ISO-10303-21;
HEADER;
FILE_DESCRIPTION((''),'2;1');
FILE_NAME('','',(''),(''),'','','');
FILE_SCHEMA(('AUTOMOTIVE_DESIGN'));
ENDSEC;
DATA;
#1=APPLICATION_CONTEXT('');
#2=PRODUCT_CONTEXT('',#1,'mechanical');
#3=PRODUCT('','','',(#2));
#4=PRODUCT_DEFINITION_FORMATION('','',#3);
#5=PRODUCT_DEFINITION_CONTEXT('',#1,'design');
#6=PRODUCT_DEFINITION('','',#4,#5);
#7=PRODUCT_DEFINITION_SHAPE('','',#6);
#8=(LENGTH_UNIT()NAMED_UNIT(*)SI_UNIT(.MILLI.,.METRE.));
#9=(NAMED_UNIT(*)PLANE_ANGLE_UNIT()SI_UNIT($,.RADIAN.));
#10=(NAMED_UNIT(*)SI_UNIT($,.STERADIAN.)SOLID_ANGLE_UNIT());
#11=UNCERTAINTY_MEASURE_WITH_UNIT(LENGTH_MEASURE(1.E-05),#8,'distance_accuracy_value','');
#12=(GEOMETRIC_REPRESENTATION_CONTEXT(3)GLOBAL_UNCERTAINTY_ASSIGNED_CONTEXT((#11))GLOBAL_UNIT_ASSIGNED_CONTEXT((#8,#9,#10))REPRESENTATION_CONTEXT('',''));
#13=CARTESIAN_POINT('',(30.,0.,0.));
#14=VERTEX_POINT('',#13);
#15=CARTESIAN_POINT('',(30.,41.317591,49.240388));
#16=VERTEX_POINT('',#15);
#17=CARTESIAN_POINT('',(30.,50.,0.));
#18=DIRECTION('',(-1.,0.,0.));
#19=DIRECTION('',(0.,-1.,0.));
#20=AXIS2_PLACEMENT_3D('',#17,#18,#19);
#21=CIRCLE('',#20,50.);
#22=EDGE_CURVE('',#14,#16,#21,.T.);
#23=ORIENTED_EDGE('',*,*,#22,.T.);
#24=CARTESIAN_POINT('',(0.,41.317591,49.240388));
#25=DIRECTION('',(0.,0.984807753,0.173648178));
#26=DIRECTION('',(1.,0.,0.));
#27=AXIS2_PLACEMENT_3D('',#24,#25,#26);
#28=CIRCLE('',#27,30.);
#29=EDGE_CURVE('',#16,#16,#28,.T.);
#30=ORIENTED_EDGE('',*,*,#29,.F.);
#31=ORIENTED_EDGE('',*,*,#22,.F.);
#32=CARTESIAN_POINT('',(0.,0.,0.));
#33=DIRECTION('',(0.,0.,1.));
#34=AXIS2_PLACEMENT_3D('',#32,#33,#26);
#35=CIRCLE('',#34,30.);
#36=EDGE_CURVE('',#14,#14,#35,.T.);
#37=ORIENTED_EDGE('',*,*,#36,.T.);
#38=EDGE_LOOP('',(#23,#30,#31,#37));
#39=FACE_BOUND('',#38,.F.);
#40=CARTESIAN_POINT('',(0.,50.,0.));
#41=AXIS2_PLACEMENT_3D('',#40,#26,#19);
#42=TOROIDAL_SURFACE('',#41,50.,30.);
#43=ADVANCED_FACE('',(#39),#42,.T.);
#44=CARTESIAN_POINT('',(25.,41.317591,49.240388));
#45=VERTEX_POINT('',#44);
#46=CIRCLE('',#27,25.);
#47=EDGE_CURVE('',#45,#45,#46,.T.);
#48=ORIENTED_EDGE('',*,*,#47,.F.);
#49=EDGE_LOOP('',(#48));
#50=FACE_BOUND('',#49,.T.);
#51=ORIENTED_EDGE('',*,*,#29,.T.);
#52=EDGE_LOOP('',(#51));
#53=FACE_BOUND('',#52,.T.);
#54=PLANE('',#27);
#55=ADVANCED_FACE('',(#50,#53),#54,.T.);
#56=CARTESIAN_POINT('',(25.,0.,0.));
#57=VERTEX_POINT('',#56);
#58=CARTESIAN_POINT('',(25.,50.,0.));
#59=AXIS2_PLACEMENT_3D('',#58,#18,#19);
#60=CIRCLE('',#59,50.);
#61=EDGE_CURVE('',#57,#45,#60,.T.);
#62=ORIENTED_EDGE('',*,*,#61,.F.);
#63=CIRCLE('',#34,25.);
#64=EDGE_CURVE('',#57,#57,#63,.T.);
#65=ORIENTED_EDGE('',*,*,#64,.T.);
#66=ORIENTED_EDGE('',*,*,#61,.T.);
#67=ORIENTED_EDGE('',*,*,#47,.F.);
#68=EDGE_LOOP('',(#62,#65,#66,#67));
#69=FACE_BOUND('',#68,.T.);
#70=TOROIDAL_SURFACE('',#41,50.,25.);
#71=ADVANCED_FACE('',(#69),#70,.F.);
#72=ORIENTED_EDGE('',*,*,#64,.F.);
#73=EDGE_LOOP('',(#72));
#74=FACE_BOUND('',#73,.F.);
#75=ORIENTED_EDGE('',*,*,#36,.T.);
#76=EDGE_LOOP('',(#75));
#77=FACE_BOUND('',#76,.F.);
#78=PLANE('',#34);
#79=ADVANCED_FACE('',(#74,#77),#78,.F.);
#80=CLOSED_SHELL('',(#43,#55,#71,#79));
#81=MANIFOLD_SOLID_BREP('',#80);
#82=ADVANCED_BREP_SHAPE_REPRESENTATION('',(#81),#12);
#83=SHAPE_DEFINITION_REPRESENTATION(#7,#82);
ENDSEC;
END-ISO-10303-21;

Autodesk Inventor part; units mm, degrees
ref_plane "YZ Plane" through (0, 0, 0) normal (1, 0, 0) x (0, 1, 0)
ref_plane "XZ Plane" through (0, 0, 0) normal (0, 1, 0) x (-1, 0, 0)
ref_plane "XY Plane" through (0, 0, 0) normal (0, 0, 1) x (1, 0, 0)
sketch "Sketch1" plane through (0, 0, 0) normal (0, 0, 1) x (1, 0, 0)
  circle A0 centre (0, 0) radius 25
  circle A1 centre (0, 0) radius 30
  line L0 (0, 0) -> (0, 50) construction
  line L1 (70, 50) -> (-70, 50)
  dimension "d0" = 50
  dimension "d1" = 5
  dimension "d4" = 50
  dimension "d5" = 140
revolve "Revolution1" add sketch "Sketch1" angle 80 about axis through (70, 50, 0) along (-1, 0, 0)
properties part number "track z2300"
